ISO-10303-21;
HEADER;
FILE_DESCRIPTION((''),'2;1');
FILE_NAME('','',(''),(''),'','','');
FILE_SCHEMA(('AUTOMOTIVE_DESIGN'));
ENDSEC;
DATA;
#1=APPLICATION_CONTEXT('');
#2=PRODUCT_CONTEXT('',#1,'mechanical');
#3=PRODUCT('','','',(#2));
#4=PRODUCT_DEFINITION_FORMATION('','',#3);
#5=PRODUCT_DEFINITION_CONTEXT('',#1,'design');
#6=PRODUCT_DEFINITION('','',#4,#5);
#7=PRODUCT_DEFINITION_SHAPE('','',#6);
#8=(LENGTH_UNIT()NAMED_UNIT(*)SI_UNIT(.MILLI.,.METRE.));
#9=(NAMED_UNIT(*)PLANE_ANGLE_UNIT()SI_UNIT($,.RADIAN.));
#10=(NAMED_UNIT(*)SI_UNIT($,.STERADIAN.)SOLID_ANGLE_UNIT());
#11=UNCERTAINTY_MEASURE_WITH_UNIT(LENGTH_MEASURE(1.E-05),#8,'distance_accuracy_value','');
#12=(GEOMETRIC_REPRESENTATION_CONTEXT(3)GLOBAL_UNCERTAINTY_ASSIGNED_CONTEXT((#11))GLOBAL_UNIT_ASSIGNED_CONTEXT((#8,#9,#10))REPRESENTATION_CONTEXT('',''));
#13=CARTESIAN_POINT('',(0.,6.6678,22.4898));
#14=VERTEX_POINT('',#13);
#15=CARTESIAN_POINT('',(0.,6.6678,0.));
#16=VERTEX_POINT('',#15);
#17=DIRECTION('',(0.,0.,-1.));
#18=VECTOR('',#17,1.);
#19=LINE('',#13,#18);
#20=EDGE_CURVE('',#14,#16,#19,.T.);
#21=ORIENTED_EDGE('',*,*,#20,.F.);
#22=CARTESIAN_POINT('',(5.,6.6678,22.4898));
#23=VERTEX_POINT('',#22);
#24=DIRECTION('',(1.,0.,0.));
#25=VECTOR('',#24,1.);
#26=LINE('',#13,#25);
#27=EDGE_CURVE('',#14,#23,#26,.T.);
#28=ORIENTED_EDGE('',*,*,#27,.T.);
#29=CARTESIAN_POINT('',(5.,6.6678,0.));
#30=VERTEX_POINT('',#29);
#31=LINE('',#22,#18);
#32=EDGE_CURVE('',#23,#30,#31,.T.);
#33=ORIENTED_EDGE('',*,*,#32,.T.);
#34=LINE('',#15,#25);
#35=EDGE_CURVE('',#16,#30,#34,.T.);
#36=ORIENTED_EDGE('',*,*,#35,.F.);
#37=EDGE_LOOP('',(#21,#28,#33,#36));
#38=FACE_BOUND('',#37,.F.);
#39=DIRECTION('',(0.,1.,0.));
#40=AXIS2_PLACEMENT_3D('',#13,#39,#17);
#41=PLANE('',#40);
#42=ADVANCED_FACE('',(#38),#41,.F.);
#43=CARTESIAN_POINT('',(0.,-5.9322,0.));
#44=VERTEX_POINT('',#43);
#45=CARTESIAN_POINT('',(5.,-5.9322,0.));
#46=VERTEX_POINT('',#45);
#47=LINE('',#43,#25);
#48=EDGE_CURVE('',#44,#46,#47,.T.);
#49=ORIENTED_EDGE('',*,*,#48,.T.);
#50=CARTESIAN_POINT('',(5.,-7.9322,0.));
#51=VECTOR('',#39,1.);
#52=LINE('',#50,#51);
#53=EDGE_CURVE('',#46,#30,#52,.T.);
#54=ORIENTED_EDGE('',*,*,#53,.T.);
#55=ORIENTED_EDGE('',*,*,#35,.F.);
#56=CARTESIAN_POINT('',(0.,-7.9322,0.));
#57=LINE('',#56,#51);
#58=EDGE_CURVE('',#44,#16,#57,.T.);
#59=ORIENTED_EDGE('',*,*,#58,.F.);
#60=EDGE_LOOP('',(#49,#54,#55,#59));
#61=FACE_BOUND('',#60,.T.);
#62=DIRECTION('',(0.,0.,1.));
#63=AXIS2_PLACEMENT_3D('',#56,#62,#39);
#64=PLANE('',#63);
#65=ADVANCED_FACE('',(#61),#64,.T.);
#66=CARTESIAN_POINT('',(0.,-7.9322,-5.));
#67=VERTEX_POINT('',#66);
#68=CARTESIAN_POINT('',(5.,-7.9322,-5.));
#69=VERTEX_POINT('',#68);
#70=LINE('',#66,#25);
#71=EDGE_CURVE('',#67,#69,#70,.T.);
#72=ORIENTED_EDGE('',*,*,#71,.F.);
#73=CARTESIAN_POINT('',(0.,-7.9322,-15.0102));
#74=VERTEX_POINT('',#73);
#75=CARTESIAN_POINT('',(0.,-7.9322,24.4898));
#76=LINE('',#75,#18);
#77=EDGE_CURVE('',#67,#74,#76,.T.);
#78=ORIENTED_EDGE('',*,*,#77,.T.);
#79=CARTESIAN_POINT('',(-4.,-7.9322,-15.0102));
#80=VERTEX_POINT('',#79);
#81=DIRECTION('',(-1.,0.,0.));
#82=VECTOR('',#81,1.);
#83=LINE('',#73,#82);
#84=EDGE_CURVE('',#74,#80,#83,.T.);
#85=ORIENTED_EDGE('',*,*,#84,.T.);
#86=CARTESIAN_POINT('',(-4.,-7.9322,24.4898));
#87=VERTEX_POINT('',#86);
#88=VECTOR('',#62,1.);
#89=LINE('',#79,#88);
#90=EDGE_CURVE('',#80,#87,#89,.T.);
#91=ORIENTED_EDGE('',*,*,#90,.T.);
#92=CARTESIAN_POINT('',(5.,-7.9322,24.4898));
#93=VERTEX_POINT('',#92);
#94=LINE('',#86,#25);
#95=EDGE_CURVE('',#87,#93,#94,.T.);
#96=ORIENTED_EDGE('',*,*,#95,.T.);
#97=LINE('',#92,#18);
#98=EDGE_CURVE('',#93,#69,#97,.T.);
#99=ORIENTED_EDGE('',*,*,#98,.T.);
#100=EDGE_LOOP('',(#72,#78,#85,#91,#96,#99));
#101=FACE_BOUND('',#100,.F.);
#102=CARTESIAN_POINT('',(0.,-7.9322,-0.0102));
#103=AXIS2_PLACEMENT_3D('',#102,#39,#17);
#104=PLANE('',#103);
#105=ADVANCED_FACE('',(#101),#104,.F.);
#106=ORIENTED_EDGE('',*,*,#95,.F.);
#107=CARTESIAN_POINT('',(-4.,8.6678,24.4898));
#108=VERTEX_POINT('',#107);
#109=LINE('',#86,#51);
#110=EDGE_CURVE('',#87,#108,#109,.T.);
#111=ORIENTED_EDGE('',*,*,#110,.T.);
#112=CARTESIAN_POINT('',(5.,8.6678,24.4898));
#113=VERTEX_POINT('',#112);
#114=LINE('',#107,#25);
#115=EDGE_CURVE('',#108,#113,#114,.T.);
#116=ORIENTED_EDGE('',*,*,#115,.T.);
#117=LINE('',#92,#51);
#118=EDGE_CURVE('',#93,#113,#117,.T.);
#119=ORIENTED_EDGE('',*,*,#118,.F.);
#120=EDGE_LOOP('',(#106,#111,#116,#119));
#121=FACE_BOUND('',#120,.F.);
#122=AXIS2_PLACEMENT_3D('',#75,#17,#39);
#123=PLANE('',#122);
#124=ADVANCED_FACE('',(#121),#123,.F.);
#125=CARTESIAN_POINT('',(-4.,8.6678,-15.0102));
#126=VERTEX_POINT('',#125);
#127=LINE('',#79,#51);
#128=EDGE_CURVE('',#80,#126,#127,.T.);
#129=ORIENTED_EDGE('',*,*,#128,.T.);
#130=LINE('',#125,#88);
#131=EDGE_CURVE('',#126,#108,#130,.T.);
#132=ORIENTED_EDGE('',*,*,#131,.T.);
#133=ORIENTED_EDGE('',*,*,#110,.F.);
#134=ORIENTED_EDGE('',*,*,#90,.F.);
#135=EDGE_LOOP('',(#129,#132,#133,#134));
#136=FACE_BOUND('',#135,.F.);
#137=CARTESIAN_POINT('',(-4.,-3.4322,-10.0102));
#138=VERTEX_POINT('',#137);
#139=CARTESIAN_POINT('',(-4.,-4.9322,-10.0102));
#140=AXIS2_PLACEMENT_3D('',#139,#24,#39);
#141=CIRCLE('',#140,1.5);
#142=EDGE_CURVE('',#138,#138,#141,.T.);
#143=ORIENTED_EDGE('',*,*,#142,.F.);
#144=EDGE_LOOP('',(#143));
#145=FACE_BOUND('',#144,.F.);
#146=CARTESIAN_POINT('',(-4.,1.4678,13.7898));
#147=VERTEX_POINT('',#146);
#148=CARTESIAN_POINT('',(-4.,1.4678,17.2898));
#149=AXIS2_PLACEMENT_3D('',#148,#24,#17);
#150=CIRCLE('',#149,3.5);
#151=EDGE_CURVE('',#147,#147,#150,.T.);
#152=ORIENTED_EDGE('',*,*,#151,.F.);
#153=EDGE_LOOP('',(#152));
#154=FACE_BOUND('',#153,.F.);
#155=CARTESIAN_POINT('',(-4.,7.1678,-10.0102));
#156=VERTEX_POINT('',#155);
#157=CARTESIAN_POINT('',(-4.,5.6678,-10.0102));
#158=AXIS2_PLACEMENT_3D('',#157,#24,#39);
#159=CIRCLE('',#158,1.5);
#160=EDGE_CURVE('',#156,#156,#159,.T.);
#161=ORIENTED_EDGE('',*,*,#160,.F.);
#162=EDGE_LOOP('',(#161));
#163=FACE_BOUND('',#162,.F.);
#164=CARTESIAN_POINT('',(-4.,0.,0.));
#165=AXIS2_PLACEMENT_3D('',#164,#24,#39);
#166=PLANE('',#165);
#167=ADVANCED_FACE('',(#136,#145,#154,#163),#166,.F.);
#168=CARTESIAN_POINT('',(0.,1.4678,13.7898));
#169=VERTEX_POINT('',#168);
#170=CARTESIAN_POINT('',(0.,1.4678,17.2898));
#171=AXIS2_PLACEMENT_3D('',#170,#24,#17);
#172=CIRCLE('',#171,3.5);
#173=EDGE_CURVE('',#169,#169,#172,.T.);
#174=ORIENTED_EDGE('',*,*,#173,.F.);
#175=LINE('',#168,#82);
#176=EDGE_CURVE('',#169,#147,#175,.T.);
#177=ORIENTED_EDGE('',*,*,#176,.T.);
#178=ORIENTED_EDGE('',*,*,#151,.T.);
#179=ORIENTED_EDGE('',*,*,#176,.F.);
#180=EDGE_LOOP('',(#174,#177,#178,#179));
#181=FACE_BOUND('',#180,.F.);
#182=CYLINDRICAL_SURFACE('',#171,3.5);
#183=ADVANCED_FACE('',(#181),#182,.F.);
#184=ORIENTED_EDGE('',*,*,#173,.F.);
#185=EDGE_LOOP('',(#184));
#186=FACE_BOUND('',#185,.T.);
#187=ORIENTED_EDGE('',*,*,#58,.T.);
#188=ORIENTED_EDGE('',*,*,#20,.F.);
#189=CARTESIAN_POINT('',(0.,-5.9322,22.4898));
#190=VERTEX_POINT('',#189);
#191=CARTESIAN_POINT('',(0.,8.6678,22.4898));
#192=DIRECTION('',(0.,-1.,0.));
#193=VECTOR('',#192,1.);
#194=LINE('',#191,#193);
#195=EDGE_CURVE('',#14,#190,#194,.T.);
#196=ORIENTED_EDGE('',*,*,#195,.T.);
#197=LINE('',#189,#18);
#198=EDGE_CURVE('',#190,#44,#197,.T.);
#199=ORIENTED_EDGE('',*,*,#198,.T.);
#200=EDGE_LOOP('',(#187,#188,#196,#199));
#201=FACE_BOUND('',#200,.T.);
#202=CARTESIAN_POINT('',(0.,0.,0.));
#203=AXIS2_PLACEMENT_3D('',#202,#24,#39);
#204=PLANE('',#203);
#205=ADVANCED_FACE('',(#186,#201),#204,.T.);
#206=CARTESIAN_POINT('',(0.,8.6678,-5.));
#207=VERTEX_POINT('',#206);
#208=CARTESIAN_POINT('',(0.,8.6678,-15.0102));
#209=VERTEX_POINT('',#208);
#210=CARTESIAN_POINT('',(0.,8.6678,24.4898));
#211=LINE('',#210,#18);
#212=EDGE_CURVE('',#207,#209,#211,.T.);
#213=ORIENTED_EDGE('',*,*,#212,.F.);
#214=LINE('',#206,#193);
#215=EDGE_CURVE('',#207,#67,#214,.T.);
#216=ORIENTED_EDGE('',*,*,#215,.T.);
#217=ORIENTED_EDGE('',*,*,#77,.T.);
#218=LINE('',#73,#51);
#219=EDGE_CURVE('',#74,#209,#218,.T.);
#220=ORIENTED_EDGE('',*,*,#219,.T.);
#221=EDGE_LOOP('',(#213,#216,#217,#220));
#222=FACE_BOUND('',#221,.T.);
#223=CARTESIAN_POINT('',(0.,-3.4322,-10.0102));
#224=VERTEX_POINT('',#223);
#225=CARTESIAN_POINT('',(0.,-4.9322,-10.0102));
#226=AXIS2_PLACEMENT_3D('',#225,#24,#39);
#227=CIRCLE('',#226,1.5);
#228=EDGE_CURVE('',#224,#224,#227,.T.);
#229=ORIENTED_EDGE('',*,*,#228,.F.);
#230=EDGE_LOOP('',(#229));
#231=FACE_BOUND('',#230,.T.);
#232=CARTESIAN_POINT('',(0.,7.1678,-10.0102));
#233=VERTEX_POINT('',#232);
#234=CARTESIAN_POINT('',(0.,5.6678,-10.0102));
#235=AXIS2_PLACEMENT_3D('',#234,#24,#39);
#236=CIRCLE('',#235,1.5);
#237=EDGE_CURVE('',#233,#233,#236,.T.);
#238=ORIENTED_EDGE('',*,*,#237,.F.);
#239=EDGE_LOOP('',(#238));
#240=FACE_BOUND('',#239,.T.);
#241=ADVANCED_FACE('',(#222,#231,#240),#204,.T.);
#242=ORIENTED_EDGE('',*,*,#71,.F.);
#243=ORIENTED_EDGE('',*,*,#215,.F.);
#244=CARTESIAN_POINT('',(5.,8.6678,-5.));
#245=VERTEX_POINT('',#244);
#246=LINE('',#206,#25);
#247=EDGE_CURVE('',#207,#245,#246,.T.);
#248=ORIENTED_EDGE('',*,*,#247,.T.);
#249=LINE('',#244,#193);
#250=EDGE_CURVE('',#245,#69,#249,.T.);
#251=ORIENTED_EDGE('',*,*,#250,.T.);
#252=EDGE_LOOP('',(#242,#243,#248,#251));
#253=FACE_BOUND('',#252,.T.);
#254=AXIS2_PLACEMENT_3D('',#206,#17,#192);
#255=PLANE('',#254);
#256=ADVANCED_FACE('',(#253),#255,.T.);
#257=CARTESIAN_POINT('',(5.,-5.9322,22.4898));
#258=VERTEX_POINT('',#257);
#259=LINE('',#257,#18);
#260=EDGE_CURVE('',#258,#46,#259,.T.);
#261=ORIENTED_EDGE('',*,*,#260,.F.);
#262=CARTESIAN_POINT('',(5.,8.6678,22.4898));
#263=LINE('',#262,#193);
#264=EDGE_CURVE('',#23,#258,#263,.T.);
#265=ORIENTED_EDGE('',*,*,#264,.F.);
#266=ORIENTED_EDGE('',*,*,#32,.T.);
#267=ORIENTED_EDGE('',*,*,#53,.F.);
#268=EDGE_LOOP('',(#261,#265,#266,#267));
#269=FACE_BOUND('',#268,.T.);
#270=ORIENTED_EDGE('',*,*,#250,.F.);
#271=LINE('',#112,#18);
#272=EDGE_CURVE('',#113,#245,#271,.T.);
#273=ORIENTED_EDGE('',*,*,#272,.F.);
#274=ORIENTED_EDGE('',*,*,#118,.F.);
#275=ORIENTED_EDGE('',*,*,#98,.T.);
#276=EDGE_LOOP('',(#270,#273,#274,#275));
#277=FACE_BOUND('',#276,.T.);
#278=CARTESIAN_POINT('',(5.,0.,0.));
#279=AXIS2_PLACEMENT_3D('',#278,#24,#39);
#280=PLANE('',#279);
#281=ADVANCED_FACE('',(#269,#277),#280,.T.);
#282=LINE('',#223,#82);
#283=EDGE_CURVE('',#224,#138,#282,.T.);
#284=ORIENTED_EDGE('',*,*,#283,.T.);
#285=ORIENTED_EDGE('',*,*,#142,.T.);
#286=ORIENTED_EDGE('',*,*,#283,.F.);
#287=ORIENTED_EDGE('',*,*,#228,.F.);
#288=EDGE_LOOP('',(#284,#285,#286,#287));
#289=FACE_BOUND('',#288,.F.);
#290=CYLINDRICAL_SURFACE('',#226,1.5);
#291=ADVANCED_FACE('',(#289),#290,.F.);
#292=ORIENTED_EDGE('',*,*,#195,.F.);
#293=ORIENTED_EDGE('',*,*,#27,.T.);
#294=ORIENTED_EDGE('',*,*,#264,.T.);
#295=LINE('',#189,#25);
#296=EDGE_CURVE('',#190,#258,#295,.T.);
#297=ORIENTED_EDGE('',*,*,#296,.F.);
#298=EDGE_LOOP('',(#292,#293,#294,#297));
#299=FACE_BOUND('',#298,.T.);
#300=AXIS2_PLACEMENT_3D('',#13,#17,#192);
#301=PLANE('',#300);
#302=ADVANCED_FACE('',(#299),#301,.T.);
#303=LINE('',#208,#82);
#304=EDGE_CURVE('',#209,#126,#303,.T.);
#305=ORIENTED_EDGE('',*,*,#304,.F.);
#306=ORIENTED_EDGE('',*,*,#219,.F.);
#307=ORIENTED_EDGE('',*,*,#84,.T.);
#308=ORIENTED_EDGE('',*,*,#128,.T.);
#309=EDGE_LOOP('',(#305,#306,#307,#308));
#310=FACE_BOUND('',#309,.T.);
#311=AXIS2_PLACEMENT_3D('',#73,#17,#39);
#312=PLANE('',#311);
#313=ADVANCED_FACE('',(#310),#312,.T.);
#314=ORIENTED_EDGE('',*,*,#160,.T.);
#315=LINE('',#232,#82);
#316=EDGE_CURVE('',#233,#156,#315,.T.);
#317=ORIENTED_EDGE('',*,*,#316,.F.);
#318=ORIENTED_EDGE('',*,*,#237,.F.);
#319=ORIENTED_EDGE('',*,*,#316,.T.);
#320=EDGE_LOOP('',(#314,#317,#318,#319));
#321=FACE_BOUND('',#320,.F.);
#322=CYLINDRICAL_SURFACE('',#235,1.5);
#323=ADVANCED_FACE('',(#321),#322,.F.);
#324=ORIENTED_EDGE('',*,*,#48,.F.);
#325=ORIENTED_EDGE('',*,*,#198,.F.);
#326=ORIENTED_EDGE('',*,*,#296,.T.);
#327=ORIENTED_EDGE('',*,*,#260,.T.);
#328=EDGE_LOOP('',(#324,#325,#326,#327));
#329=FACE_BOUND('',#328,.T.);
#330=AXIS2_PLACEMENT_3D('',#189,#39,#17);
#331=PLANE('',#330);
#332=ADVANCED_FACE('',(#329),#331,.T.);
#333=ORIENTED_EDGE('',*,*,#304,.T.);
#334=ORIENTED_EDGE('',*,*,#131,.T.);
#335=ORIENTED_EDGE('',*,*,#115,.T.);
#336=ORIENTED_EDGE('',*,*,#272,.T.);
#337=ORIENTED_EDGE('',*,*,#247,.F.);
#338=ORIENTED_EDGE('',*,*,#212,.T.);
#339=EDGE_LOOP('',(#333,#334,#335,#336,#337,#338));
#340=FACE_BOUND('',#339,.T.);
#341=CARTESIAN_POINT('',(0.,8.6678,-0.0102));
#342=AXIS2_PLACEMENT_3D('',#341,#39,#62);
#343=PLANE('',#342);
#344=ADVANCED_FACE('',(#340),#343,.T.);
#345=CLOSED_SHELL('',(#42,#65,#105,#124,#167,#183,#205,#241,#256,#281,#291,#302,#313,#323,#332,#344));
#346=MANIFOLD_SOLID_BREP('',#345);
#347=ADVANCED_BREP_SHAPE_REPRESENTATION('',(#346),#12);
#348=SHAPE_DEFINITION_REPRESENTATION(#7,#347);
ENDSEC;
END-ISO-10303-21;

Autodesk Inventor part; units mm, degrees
ref_plane "YZ Plane" through (0, 0, 0) normal (1, 0, 0) x (0, 1, 0)
ref_plane "XZ Plane" through (0, 0, 0) normal (0, 1, 0) x (-1, 0, 0)
ref_plane "XY Plane" through (0, 0, 0) normal (0, 0, 1) x (1, 0, 0)
sketch "スケッチ1" plane through (0, 0, 0) normal (1, 0, 0) x (0, 1, 0)
  line L0 (8.6678, 22.4898) -> (-7.9322, 22.4898)
  line L1 (-7.9322, 22.4898) -> (-7.9322, -15.0102)
  line L2 (-7.9322, -15.0102) -> (8.6678, -15.0102)
  line L3 (8.6678, -15.0102) -> (8.6678, 22.4898)
  line L4 (8.6678, 22.4898) -> (6.6678, 22.4898)
  line L5 (6.6678, 22.4898) -> (6.6678, -0.0102)
  line L6 (6.6678, -0.0102) -> (8.6678, -0.0102)
  line L7 (8.6678, -0.0102) -> (8.6678, 22.4898)
  line L8 (-7.9322, 22.4898) -> (-5.9322, 22.4898)
  line L9 (-5.9322, 22.4898) -> (-5.9322, -0.0102)
  line L10 (-5.9322, -0.0102) -> (-7.9322, -0.0102)
  line L11 (-7.9322, -0.0102) -> (-7.9322, 22.4898)
  line L12 (8.6678, 22.4898) -> (-7.9322, 22.4898)
  line L13 (-7.9322, 22.4898) -> (-7.9322, 24.4898)
  line L14 (-7.9322, 24.4898) -> (8.6678, 24.4898)
  line L15 (8.6678, 24.4898) -> (8.6678, 22.4898)
  circle A0 centre (5.6678, -10.0102) radius 1.5
  circle A1 centre (-4.9322, -10.0102) radius 1.5
  point P0 (0, 0)
  dimension "d1" = 2
  dimension "d2" = 2
  dimension "d3" = 15
  dimension "d4" = 22.5
  dimension "d5" = 2
  dimension "d6" = 3
  dimension "d7" = 3
  dimension "d8" = 5
  dimension "d9" = 5
  dimension "d10" = 3
  dimension "d11" = 3
  dimension "d25" = 12.6
  dimension "d26" = 16.6
extrude "押し出し1" add sketch "スケッチ1" against normal blind 4
extrude "押し出し2" add sketch "スケッチ1" along normal blind 5 contours L3 L6 L5 L0 | L0 L13 L14 L15 | L9 L10 L1 L0
sketch "スケッチ2" plane through (0, 0, 0) normal (1, 0, 0) x (0, 0, -1)
  circle A0 centre (-17.2898, 1.4678) radius 3.5
  line L0 (-24.4898, 8.6678) -> (-24.4898, -7.9322) projected
  line L1 (0.0102, 8.6678) -> (-24.4898, 8.6678) projected
  line L2 (-24.4898, -7.9322) -> (0.0102, -7.9322) projected
  point P0 (0, 0)
  dimension "d16" = 7
  dimension "d17" = 7.2
  dimension "d18" = 7.2
  dimension "d19" = 9.4
extrude "押し出し3" cut sketch "スケッチ2" against normal blind 5
sketch "スケッチ3" plane through (0, 0, 0) normal (1, 0, 0) x (0, 0, -1)
  line L0 (-24.4898, 8.6678) -> (15.0102, 8.6678) projected
  line L1 (0.0102, -7.9322) -> (15.0102, -7.9322) projected
  line L2 (0, 8.6678) -> (5, 8.6678)
  line L3 (5, 8.6678) -> (5, -7.9322)
  line L4 (5, -7.9322) -> (0, -7.9322)
  line L5 (0, -7.9322) -> (0, 8.6678)
  point P0 (0, 0)
  dimension "d22" = 5
extrude "押し出し4" add sketch "スケッチ3" along normal blind 5
properties part number "armpart2"
